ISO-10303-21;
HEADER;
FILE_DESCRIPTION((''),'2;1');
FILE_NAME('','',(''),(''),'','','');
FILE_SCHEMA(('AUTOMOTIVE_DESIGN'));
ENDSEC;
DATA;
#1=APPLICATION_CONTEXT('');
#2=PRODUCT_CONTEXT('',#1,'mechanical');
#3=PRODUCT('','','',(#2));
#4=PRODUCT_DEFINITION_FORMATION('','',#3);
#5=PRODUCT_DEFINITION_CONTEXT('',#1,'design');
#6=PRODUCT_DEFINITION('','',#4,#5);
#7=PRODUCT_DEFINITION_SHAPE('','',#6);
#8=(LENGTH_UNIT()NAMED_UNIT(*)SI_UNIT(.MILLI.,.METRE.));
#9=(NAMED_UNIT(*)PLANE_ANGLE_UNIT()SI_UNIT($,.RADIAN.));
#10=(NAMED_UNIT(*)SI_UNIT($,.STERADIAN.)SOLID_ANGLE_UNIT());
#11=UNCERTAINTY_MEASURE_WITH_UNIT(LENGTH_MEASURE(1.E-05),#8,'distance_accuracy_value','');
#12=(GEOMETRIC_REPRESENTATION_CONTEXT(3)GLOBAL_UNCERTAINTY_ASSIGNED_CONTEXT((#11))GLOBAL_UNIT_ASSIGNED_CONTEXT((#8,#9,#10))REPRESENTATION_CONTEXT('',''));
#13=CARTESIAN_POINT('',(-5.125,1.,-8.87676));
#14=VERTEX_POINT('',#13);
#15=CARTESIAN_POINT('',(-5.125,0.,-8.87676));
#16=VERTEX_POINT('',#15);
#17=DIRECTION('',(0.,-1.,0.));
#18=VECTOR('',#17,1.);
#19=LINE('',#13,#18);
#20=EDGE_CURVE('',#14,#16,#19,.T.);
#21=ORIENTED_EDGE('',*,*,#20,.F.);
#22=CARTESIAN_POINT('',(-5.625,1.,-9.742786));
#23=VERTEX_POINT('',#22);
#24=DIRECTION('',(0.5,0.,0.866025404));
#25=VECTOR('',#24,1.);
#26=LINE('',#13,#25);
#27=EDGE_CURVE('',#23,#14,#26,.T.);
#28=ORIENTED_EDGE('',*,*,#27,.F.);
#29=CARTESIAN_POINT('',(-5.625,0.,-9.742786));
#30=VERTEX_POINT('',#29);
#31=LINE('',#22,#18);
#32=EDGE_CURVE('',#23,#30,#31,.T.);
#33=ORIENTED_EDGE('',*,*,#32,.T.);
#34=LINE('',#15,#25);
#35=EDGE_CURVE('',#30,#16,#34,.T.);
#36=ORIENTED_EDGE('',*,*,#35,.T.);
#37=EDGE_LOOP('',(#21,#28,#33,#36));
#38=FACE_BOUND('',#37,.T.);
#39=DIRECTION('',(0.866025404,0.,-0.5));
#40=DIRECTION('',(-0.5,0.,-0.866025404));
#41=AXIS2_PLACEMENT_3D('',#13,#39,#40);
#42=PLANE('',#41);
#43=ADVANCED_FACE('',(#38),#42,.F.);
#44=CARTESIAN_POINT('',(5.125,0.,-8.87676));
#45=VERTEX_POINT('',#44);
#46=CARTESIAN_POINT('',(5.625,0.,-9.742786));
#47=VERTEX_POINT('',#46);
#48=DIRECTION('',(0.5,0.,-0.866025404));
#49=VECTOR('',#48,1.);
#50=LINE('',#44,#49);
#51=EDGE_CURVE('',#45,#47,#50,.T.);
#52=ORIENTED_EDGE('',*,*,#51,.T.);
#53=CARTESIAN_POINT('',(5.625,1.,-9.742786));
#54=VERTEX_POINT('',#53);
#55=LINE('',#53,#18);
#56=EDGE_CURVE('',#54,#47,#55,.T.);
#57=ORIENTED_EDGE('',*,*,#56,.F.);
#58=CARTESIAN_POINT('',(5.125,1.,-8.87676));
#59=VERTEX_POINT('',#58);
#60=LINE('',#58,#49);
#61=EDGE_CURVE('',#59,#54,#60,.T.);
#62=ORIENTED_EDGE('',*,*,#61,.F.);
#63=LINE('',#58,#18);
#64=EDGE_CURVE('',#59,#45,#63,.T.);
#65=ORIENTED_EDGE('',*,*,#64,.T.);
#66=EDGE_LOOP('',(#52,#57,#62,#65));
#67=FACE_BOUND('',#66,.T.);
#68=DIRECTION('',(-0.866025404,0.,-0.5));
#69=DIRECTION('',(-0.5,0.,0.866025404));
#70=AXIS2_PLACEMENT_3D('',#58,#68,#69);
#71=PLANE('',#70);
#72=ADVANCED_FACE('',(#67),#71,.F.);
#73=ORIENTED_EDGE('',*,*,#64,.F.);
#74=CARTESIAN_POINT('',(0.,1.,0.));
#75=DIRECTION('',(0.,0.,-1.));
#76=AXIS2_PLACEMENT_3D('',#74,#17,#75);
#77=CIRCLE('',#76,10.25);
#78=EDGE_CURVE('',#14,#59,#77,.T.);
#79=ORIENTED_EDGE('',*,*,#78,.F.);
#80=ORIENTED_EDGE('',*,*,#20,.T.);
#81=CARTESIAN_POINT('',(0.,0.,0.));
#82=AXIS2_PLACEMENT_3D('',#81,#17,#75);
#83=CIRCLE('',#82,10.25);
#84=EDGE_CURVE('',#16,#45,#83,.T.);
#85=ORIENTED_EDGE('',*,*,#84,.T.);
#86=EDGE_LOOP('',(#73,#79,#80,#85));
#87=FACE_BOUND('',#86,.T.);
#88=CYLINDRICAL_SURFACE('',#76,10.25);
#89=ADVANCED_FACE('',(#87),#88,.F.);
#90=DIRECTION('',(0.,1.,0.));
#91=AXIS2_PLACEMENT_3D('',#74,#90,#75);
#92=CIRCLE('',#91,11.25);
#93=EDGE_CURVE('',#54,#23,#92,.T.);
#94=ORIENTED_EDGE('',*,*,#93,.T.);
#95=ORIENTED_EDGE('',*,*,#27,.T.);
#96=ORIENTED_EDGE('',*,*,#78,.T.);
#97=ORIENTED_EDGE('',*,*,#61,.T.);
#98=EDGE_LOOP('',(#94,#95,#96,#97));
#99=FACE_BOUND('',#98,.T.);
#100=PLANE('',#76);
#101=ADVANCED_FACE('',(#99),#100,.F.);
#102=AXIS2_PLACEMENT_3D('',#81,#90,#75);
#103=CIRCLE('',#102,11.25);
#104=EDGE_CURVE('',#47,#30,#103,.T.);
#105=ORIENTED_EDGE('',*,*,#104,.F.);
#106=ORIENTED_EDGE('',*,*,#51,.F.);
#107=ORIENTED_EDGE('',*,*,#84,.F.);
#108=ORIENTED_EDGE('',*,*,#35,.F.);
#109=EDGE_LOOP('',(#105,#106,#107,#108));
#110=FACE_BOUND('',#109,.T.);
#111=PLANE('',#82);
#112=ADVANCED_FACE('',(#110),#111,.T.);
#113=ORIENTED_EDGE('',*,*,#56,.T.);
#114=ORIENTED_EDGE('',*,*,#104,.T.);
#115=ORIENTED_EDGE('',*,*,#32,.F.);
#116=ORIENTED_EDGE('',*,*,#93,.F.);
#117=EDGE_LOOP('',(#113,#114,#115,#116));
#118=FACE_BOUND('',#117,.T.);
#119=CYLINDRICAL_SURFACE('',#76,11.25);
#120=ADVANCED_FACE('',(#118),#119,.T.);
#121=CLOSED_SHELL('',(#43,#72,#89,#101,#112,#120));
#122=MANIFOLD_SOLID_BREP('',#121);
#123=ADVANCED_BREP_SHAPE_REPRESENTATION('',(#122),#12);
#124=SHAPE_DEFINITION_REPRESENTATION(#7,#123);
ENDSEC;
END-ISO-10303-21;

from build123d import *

# Parameters (mm, degrees)
EXTRUDE_1_DEPTH = 1


with BuildPart() as part:
    # Эскиз1 → Вытянуть1 (new body)
    with BuildSketch(Plane(origin=(0, 0, 0), x_dir=(1, 0, 0), z_dir=(0, 1, 0))):
        with BuildLine():
            Line((5.125, 8.876760389), (5.625, 9.742785793))
            ThreePointArc((5.625, 9.742785793), (0, 11.25), (-5.625, 9.742785793))
            Line((-5.625, 9.742785793), (-5.125, 8.876760389))
            ThreePointArc((-5.125, 8.876760389), (0, 10.25), (5.125, 8.876760389))
        make_face()
    extrude(amount=EXTRUDE_1_DEPTH)


solid = part.part
